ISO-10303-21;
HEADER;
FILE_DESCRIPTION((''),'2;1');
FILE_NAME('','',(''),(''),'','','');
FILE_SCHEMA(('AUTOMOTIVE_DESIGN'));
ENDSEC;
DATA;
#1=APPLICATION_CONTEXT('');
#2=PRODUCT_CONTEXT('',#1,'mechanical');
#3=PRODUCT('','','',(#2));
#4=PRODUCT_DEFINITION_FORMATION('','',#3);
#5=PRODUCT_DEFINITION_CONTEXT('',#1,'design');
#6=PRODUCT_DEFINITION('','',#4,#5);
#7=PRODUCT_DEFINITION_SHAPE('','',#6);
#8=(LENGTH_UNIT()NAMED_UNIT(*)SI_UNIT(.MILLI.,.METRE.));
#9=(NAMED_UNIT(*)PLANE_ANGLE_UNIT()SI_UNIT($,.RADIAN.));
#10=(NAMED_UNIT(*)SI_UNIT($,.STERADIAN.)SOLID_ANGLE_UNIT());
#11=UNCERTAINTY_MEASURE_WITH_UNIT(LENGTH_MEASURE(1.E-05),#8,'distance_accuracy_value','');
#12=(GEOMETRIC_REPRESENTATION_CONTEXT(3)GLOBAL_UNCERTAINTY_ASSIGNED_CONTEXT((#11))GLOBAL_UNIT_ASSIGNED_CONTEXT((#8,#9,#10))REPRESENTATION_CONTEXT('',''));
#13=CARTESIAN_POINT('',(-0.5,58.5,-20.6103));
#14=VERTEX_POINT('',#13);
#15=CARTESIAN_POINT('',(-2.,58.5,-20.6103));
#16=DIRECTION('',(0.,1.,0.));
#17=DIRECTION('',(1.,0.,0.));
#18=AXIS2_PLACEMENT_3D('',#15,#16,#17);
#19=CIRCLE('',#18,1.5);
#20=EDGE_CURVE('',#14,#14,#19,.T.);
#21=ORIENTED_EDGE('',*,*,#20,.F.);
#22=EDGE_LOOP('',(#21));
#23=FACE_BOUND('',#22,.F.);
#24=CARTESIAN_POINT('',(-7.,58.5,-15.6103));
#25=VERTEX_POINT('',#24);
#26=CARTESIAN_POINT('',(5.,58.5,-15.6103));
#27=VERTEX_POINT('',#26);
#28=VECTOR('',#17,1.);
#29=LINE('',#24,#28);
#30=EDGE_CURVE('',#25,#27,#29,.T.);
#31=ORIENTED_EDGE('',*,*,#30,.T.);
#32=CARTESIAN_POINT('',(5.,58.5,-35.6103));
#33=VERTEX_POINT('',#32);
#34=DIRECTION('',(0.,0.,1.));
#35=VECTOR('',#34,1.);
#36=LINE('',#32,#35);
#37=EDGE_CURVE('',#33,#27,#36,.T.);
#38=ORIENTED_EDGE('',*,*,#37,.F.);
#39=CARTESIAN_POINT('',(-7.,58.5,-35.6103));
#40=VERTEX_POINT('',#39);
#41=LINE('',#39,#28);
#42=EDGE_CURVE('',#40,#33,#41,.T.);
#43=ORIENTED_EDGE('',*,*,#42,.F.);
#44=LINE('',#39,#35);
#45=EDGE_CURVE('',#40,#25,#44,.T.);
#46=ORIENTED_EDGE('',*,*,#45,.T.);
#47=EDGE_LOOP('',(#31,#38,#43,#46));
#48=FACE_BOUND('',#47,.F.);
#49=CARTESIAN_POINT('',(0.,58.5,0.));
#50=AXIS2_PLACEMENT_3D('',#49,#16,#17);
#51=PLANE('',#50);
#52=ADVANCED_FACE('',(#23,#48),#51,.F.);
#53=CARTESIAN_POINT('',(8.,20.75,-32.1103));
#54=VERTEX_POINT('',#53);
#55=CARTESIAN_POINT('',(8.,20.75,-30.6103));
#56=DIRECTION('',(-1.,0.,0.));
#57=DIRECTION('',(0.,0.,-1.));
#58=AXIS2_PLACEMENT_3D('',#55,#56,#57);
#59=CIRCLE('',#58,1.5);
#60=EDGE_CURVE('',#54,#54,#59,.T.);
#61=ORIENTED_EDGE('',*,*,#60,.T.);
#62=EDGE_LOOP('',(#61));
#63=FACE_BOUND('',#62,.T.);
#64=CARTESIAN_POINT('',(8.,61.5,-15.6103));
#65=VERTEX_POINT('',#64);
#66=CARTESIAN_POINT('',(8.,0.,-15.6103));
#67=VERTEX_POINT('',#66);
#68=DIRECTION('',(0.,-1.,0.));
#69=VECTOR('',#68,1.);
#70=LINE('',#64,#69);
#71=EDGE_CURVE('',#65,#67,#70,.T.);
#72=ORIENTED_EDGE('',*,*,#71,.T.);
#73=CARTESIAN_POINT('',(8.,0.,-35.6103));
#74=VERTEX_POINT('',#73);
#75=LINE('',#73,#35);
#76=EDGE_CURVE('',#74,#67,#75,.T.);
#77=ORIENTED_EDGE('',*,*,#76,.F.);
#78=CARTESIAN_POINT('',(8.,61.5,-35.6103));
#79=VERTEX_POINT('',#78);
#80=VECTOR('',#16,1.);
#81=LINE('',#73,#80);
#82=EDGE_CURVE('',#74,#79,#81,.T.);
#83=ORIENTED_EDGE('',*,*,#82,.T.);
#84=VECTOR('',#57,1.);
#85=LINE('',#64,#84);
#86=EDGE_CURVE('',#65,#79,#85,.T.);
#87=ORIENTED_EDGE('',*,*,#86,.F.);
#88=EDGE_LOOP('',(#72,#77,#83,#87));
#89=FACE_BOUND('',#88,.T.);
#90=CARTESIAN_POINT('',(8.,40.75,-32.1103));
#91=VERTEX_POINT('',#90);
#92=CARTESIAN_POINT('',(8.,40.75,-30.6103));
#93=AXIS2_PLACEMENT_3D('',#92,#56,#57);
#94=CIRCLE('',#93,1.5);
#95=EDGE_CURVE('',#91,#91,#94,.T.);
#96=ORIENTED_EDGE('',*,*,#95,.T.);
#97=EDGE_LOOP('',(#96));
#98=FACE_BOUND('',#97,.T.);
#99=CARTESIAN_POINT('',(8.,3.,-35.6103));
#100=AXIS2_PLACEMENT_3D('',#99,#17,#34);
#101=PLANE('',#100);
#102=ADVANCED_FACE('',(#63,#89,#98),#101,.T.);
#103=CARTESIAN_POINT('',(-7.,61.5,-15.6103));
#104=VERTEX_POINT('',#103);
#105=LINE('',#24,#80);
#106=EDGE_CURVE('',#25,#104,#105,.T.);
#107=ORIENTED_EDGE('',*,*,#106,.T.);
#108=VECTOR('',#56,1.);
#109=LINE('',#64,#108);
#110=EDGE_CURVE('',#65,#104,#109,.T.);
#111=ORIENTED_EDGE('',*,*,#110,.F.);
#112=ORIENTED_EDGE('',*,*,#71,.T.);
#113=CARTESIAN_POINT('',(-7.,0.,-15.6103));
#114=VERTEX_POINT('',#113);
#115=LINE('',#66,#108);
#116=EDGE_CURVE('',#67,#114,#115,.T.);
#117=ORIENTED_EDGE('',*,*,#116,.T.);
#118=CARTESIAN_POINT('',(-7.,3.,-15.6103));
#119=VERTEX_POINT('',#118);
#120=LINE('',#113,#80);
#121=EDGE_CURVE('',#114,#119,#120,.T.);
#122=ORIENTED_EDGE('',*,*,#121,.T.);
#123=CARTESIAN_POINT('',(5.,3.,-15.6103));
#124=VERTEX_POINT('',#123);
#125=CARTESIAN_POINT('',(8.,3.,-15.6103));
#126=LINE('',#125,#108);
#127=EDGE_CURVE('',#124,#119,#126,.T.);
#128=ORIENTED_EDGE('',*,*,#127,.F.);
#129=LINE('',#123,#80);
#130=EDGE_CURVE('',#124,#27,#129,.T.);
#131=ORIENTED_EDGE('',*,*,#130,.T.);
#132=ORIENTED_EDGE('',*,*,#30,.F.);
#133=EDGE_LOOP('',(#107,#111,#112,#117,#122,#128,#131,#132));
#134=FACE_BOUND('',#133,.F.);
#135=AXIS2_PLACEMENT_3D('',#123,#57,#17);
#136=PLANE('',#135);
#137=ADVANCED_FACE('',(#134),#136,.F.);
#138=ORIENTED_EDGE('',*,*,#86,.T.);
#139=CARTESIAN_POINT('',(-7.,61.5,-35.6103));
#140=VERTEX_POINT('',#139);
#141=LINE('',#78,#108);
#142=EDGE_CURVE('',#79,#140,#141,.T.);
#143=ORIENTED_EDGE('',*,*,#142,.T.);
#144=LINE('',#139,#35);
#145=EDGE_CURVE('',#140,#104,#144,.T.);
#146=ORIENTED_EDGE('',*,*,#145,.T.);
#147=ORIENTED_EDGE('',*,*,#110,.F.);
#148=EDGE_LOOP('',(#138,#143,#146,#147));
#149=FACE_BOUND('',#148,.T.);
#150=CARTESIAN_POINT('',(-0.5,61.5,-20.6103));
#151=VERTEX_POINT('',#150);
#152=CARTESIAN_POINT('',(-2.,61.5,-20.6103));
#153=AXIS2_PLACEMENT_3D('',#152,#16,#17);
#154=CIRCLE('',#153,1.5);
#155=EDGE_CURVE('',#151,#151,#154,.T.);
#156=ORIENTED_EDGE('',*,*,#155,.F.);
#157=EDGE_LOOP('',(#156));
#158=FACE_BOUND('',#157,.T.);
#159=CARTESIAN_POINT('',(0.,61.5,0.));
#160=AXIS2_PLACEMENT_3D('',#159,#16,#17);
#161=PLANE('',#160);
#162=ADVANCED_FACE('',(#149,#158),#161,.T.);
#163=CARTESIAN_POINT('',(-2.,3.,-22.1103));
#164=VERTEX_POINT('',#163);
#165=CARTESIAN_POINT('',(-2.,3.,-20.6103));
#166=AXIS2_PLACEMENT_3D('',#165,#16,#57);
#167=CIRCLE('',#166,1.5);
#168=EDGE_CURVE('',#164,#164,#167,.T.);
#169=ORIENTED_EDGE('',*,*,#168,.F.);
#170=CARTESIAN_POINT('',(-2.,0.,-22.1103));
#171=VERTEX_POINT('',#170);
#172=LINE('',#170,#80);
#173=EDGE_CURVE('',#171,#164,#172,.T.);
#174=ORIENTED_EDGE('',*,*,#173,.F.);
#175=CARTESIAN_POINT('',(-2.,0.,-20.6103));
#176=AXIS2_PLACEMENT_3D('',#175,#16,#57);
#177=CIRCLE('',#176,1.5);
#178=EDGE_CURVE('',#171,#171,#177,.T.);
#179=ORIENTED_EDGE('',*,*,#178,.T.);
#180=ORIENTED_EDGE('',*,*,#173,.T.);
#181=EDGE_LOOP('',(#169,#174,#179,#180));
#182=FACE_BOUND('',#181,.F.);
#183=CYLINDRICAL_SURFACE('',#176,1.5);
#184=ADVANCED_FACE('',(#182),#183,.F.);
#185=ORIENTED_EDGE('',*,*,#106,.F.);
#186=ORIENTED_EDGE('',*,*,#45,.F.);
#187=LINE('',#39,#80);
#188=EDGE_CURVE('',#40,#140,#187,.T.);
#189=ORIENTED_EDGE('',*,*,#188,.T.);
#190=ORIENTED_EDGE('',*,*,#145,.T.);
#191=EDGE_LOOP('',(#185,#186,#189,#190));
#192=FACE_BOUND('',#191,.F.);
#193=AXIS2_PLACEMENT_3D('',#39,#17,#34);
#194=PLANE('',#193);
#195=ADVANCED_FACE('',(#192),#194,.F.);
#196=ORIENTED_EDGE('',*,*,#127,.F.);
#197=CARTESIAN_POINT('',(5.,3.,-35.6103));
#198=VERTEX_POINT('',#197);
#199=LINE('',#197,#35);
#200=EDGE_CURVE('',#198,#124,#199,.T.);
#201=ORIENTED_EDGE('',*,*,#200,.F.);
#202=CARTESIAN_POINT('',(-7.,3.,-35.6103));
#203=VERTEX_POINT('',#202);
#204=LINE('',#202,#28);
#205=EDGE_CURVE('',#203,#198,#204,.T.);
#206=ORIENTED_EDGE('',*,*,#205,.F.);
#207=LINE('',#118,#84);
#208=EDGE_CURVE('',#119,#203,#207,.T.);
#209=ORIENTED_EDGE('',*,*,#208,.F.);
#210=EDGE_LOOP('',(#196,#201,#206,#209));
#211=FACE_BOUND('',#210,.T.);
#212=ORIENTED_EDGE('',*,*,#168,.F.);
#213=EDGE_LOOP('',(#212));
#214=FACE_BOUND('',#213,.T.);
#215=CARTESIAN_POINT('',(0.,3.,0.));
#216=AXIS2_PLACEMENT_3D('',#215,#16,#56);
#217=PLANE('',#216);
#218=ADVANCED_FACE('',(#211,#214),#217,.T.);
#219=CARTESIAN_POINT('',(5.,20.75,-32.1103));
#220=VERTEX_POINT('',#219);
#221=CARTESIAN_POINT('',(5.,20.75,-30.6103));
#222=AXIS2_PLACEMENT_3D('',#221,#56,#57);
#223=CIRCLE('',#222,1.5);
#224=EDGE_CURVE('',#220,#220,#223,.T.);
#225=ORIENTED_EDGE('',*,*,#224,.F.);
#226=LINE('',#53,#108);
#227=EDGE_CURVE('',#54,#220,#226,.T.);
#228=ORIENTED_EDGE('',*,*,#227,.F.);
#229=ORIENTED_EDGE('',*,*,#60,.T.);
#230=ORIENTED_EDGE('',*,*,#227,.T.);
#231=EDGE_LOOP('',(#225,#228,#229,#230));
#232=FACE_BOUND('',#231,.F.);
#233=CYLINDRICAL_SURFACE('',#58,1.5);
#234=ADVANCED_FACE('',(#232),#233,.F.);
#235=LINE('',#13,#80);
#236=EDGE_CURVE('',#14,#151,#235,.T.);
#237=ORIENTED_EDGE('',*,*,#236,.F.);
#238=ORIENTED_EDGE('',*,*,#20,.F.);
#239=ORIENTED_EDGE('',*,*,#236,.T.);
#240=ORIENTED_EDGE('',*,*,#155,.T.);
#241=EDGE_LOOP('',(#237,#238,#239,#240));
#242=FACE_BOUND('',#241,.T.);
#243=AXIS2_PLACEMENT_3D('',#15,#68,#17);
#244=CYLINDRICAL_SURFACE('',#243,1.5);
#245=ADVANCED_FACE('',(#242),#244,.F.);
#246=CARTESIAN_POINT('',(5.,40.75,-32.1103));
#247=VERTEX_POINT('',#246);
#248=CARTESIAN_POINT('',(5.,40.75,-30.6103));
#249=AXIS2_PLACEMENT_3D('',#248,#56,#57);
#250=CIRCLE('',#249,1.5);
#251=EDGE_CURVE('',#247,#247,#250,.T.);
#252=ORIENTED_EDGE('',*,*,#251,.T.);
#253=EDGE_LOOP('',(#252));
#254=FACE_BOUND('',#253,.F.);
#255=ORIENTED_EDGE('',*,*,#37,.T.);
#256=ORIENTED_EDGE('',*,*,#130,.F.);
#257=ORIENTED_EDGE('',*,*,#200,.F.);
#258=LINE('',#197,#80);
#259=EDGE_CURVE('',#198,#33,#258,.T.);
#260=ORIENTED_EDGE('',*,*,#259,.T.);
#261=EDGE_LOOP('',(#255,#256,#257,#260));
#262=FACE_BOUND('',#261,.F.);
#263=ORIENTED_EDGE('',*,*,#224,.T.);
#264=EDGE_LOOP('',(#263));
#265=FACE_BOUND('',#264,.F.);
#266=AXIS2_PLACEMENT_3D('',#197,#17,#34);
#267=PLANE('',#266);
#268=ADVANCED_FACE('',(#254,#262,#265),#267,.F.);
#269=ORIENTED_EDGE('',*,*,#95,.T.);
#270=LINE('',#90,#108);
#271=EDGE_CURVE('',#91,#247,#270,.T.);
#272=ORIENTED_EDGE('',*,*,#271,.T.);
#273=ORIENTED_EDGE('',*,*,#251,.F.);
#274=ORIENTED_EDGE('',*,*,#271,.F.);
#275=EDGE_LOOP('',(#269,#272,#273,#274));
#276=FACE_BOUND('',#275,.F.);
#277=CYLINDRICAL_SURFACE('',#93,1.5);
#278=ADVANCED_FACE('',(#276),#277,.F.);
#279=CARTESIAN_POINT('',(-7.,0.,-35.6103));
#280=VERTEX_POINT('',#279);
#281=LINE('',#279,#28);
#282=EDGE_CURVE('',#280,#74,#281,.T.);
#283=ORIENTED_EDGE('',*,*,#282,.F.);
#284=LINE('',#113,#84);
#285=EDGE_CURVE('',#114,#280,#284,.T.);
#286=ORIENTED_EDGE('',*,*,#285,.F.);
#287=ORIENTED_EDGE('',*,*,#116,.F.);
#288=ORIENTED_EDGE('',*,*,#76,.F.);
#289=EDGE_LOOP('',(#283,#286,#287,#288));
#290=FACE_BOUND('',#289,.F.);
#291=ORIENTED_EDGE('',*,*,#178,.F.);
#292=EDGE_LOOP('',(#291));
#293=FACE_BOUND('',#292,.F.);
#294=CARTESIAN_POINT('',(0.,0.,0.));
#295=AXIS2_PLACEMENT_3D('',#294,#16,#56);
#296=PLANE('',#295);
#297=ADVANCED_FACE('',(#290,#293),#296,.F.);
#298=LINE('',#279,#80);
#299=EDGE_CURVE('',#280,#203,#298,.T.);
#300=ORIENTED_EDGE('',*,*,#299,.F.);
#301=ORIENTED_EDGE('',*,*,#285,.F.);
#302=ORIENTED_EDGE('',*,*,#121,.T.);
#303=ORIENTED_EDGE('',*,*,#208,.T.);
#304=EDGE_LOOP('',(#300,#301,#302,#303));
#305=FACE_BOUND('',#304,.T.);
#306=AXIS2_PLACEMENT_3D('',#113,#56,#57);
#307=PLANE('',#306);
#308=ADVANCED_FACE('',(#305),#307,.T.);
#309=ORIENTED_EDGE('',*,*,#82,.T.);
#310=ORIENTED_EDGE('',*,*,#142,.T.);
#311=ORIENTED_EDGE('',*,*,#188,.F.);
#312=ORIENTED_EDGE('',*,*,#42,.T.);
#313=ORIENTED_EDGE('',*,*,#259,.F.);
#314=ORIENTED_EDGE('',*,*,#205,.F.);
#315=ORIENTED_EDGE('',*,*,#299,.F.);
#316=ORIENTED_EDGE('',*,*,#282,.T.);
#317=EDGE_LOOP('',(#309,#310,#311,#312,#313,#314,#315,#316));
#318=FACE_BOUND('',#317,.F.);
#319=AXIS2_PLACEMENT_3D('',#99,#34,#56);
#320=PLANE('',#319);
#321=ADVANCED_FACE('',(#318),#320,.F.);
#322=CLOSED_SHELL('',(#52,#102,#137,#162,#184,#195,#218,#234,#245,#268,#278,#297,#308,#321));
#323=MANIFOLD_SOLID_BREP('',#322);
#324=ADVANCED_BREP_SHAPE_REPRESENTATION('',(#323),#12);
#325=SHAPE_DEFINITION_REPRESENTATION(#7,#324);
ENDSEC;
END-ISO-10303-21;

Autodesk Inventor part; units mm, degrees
ref_plane "YZ Plane" through (0, 0, 0) normal (1, 0, 0) x (0, 1, 0)
ref_plane "XZ Plane" through (0, 0, 0) normal (0, 1, 0) x (-1, 0, 0)
ref_plane "XY Plane" through (0, 0, 0) normal (0, 0, 1) x (1, 0, 0)
sketch "Szkic1" plane through (0, 0, 0) normal (0, 1, 0) x (-1, 0, 0)
  line L0 (7, -35.6103) -> (-8, -35.6103)
  line L1 (-8, -35.6103) -> (-8, -15.6103)
  line L2 (-8, -15.6103) -> (7, -15.6103)
  line L3 (7, -15.6103) -> (7, -35.6103)
  point P0 (0, 0)
  point P1 (2, -20.6103)
  dimension "d21" = 15
  dimension "d22" = 5
  dimension "d23" = 5
  dimension "d24" = 10
extrude "Wyciągnięcie proste3" add sketch "Szkic1" along normal blind 3
hole "Otwór2" at (-2, 0, -20.6103) direction (0, 1, 0) diameter 3 end through all
sketch "Szkic3" plane through (0, 3, 0) normal (0, 1, 0) x (1, 0, 0)
  line L0 (8, 35.6103) -> (8, 15.6103) projected
  line L1 (8, 35.6103) -> (5, 35.6103)
  line L2 (5, 35.6103) -> (5, 15.6103)
  line L3 (5, 15.6103) -> (8, 15.6103)
  line L4 (8, 15.6103) -> (8, 35.6103)
  point P0 (0, 0)
  dimension "d49" = 3
extrude "Wyciągnięcie proste4" add sketch "Szkic3" along normal blind 55.5
sketch "Szkic4" plane through (0, 58.5, 0) normal (0, 1, 0) x (1, 0, 0)
  line L0 (5, 15.6103) -> (5, 35.6103) projected
  line L1 (5, 35.6103) -> (-7, 35.6103) projected
  line L2 (-7, 35.6103) -> (-7, 15.6103) projected
  line L3 (-7, 15.6103) -> (5, 15.6103) projected
  circle A0 centre (-2, 20.6103) radius 1.5 projected
  line L4 (8, 35.6103) -> (5, 35.6103) projected
  line L5 (5, 35.6103) -> (5, 15.6103) projected
  line L6 (5, 15.6103) -> (8, 15.6103) projected
  line L7 (8, 15.6103) -> (8, 35.6103) projected
  point P0 (0, 0)
extrude "Wyciągnięcie proste5" add sketch "Szkic4" along normal blind 3
sketch "Szkic5" plane through (8, 0, -15.6103) normal (1, 0, 0) x (0, 0, -1)
  line L0 (20, 0) -> (0, 0) projected
  line L1 (20, 0) -> (20, 61.5) projected
  line L2 (0, 61.5) -> (20, 61.5) projected
  line L3 (0, 0) -> (0, 61.5) projected
  point P0 (-15.6103, 0)
  point P1 (15, 40.75)
  point P2 (15, 20.75)
  dimension "d38" = 20
  dimension "d39" = 61.5
  dimension "d40" = 20.75
  dimension "d41" = 5
hole "Otwór3" at (8, 40.75, -30.6103) at (8, 20.75, -30.6103) direction (-1, 0, 0) diameter 3 end through all
equation "\"d22\" = d23"
equation "\"d40\" = 0.5 * d39 - 0.5 * d38"
